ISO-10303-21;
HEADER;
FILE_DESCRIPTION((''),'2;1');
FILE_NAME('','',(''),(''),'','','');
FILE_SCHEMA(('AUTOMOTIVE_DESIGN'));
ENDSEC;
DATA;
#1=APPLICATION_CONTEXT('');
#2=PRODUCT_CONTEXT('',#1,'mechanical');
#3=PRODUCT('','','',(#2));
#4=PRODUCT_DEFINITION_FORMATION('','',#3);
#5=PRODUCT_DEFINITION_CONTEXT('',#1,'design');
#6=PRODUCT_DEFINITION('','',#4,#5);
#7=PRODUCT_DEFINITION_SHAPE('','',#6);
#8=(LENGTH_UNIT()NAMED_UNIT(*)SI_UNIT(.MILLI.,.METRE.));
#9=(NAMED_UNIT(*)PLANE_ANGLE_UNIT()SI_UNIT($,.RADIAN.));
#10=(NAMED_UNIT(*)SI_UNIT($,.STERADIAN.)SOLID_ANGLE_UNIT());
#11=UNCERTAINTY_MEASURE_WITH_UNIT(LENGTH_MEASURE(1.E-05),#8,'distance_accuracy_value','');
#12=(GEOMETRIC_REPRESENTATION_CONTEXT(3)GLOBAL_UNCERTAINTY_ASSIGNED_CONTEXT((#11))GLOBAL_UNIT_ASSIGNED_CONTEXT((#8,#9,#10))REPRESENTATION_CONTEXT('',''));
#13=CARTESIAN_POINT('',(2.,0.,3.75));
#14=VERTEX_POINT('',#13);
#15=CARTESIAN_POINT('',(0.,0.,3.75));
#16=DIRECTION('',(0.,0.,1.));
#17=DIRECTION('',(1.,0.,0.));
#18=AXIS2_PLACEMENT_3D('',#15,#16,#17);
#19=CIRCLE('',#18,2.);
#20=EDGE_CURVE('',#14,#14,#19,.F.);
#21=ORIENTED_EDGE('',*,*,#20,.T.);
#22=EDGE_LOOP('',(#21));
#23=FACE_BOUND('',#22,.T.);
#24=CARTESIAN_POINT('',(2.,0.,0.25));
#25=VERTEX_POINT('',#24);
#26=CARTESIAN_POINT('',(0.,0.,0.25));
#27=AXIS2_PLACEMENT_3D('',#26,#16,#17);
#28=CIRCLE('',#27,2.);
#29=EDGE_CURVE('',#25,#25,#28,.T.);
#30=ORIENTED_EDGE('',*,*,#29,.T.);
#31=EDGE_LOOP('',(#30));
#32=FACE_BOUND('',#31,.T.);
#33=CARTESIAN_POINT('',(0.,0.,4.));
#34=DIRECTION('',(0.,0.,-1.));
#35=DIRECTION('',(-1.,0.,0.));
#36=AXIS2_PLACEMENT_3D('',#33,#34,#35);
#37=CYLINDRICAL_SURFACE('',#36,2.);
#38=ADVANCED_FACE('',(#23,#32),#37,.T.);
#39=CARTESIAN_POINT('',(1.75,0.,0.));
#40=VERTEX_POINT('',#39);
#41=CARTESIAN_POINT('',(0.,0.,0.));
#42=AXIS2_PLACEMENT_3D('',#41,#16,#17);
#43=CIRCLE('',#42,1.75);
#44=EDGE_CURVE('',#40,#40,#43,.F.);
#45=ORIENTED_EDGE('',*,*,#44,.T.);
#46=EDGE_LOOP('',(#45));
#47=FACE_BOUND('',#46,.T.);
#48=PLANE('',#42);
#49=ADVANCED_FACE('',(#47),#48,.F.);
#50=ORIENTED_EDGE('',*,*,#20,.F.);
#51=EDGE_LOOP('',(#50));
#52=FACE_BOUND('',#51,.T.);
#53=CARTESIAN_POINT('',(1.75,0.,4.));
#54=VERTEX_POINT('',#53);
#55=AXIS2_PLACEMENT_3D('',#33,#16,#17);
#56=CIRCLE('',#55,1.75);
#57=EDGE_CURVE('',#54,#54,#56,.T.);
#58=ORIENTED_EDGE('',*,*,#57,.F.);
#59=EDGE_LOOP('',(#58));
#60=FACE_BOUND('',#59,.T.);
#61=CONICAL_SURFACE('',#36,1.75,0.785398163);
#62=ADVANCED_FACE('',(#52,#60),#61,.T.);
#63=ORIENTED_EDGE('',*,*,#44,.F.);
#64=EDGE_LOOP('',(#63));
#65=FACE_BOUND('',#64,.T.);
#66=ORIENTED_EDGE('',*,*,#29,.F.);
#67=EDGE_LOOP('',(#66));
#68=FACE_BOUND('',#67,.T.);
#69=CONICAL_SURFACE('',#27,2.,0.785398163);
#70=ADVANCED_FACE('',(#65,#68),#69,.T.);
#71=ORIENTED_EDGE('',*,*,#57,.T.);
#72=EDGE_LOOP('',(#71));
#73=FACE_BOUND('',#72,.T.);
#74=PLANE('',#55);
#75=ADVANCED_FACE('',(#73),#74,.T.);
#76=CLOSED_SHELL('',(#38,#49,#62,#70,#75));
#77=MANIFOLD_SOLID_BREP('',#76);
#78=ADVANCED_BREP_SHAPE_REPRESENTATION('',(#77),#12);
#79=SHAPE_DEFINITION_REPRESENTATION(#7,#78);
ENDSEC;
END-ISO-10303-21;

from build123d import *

# Parameters (mm, degrees)
SKETCH1_R           = 2
BOSS_EXTRUDE1_DEPTH = 4
CHAMFER1_SIZE       = 0.25


with BuildPart() as part:
    # Sketch1 → Boss-Extrude1 (new body)
    with BuildSketch(Plane.XY):
        Circle(SKETCH1_R)
    extrude(amount=BOSS_EXTRUDE1_DEPTH)

    # Chamfer1
    chamfer1_edges = [part.edges().sort_by_distance(p)[0] for p in [
        (-2, 0, 0),
        (-2, 0, 4),
    ]]
    chamfer(chamfer1_edges, length=CHAMFER1_SIZE)


solid = part.part
